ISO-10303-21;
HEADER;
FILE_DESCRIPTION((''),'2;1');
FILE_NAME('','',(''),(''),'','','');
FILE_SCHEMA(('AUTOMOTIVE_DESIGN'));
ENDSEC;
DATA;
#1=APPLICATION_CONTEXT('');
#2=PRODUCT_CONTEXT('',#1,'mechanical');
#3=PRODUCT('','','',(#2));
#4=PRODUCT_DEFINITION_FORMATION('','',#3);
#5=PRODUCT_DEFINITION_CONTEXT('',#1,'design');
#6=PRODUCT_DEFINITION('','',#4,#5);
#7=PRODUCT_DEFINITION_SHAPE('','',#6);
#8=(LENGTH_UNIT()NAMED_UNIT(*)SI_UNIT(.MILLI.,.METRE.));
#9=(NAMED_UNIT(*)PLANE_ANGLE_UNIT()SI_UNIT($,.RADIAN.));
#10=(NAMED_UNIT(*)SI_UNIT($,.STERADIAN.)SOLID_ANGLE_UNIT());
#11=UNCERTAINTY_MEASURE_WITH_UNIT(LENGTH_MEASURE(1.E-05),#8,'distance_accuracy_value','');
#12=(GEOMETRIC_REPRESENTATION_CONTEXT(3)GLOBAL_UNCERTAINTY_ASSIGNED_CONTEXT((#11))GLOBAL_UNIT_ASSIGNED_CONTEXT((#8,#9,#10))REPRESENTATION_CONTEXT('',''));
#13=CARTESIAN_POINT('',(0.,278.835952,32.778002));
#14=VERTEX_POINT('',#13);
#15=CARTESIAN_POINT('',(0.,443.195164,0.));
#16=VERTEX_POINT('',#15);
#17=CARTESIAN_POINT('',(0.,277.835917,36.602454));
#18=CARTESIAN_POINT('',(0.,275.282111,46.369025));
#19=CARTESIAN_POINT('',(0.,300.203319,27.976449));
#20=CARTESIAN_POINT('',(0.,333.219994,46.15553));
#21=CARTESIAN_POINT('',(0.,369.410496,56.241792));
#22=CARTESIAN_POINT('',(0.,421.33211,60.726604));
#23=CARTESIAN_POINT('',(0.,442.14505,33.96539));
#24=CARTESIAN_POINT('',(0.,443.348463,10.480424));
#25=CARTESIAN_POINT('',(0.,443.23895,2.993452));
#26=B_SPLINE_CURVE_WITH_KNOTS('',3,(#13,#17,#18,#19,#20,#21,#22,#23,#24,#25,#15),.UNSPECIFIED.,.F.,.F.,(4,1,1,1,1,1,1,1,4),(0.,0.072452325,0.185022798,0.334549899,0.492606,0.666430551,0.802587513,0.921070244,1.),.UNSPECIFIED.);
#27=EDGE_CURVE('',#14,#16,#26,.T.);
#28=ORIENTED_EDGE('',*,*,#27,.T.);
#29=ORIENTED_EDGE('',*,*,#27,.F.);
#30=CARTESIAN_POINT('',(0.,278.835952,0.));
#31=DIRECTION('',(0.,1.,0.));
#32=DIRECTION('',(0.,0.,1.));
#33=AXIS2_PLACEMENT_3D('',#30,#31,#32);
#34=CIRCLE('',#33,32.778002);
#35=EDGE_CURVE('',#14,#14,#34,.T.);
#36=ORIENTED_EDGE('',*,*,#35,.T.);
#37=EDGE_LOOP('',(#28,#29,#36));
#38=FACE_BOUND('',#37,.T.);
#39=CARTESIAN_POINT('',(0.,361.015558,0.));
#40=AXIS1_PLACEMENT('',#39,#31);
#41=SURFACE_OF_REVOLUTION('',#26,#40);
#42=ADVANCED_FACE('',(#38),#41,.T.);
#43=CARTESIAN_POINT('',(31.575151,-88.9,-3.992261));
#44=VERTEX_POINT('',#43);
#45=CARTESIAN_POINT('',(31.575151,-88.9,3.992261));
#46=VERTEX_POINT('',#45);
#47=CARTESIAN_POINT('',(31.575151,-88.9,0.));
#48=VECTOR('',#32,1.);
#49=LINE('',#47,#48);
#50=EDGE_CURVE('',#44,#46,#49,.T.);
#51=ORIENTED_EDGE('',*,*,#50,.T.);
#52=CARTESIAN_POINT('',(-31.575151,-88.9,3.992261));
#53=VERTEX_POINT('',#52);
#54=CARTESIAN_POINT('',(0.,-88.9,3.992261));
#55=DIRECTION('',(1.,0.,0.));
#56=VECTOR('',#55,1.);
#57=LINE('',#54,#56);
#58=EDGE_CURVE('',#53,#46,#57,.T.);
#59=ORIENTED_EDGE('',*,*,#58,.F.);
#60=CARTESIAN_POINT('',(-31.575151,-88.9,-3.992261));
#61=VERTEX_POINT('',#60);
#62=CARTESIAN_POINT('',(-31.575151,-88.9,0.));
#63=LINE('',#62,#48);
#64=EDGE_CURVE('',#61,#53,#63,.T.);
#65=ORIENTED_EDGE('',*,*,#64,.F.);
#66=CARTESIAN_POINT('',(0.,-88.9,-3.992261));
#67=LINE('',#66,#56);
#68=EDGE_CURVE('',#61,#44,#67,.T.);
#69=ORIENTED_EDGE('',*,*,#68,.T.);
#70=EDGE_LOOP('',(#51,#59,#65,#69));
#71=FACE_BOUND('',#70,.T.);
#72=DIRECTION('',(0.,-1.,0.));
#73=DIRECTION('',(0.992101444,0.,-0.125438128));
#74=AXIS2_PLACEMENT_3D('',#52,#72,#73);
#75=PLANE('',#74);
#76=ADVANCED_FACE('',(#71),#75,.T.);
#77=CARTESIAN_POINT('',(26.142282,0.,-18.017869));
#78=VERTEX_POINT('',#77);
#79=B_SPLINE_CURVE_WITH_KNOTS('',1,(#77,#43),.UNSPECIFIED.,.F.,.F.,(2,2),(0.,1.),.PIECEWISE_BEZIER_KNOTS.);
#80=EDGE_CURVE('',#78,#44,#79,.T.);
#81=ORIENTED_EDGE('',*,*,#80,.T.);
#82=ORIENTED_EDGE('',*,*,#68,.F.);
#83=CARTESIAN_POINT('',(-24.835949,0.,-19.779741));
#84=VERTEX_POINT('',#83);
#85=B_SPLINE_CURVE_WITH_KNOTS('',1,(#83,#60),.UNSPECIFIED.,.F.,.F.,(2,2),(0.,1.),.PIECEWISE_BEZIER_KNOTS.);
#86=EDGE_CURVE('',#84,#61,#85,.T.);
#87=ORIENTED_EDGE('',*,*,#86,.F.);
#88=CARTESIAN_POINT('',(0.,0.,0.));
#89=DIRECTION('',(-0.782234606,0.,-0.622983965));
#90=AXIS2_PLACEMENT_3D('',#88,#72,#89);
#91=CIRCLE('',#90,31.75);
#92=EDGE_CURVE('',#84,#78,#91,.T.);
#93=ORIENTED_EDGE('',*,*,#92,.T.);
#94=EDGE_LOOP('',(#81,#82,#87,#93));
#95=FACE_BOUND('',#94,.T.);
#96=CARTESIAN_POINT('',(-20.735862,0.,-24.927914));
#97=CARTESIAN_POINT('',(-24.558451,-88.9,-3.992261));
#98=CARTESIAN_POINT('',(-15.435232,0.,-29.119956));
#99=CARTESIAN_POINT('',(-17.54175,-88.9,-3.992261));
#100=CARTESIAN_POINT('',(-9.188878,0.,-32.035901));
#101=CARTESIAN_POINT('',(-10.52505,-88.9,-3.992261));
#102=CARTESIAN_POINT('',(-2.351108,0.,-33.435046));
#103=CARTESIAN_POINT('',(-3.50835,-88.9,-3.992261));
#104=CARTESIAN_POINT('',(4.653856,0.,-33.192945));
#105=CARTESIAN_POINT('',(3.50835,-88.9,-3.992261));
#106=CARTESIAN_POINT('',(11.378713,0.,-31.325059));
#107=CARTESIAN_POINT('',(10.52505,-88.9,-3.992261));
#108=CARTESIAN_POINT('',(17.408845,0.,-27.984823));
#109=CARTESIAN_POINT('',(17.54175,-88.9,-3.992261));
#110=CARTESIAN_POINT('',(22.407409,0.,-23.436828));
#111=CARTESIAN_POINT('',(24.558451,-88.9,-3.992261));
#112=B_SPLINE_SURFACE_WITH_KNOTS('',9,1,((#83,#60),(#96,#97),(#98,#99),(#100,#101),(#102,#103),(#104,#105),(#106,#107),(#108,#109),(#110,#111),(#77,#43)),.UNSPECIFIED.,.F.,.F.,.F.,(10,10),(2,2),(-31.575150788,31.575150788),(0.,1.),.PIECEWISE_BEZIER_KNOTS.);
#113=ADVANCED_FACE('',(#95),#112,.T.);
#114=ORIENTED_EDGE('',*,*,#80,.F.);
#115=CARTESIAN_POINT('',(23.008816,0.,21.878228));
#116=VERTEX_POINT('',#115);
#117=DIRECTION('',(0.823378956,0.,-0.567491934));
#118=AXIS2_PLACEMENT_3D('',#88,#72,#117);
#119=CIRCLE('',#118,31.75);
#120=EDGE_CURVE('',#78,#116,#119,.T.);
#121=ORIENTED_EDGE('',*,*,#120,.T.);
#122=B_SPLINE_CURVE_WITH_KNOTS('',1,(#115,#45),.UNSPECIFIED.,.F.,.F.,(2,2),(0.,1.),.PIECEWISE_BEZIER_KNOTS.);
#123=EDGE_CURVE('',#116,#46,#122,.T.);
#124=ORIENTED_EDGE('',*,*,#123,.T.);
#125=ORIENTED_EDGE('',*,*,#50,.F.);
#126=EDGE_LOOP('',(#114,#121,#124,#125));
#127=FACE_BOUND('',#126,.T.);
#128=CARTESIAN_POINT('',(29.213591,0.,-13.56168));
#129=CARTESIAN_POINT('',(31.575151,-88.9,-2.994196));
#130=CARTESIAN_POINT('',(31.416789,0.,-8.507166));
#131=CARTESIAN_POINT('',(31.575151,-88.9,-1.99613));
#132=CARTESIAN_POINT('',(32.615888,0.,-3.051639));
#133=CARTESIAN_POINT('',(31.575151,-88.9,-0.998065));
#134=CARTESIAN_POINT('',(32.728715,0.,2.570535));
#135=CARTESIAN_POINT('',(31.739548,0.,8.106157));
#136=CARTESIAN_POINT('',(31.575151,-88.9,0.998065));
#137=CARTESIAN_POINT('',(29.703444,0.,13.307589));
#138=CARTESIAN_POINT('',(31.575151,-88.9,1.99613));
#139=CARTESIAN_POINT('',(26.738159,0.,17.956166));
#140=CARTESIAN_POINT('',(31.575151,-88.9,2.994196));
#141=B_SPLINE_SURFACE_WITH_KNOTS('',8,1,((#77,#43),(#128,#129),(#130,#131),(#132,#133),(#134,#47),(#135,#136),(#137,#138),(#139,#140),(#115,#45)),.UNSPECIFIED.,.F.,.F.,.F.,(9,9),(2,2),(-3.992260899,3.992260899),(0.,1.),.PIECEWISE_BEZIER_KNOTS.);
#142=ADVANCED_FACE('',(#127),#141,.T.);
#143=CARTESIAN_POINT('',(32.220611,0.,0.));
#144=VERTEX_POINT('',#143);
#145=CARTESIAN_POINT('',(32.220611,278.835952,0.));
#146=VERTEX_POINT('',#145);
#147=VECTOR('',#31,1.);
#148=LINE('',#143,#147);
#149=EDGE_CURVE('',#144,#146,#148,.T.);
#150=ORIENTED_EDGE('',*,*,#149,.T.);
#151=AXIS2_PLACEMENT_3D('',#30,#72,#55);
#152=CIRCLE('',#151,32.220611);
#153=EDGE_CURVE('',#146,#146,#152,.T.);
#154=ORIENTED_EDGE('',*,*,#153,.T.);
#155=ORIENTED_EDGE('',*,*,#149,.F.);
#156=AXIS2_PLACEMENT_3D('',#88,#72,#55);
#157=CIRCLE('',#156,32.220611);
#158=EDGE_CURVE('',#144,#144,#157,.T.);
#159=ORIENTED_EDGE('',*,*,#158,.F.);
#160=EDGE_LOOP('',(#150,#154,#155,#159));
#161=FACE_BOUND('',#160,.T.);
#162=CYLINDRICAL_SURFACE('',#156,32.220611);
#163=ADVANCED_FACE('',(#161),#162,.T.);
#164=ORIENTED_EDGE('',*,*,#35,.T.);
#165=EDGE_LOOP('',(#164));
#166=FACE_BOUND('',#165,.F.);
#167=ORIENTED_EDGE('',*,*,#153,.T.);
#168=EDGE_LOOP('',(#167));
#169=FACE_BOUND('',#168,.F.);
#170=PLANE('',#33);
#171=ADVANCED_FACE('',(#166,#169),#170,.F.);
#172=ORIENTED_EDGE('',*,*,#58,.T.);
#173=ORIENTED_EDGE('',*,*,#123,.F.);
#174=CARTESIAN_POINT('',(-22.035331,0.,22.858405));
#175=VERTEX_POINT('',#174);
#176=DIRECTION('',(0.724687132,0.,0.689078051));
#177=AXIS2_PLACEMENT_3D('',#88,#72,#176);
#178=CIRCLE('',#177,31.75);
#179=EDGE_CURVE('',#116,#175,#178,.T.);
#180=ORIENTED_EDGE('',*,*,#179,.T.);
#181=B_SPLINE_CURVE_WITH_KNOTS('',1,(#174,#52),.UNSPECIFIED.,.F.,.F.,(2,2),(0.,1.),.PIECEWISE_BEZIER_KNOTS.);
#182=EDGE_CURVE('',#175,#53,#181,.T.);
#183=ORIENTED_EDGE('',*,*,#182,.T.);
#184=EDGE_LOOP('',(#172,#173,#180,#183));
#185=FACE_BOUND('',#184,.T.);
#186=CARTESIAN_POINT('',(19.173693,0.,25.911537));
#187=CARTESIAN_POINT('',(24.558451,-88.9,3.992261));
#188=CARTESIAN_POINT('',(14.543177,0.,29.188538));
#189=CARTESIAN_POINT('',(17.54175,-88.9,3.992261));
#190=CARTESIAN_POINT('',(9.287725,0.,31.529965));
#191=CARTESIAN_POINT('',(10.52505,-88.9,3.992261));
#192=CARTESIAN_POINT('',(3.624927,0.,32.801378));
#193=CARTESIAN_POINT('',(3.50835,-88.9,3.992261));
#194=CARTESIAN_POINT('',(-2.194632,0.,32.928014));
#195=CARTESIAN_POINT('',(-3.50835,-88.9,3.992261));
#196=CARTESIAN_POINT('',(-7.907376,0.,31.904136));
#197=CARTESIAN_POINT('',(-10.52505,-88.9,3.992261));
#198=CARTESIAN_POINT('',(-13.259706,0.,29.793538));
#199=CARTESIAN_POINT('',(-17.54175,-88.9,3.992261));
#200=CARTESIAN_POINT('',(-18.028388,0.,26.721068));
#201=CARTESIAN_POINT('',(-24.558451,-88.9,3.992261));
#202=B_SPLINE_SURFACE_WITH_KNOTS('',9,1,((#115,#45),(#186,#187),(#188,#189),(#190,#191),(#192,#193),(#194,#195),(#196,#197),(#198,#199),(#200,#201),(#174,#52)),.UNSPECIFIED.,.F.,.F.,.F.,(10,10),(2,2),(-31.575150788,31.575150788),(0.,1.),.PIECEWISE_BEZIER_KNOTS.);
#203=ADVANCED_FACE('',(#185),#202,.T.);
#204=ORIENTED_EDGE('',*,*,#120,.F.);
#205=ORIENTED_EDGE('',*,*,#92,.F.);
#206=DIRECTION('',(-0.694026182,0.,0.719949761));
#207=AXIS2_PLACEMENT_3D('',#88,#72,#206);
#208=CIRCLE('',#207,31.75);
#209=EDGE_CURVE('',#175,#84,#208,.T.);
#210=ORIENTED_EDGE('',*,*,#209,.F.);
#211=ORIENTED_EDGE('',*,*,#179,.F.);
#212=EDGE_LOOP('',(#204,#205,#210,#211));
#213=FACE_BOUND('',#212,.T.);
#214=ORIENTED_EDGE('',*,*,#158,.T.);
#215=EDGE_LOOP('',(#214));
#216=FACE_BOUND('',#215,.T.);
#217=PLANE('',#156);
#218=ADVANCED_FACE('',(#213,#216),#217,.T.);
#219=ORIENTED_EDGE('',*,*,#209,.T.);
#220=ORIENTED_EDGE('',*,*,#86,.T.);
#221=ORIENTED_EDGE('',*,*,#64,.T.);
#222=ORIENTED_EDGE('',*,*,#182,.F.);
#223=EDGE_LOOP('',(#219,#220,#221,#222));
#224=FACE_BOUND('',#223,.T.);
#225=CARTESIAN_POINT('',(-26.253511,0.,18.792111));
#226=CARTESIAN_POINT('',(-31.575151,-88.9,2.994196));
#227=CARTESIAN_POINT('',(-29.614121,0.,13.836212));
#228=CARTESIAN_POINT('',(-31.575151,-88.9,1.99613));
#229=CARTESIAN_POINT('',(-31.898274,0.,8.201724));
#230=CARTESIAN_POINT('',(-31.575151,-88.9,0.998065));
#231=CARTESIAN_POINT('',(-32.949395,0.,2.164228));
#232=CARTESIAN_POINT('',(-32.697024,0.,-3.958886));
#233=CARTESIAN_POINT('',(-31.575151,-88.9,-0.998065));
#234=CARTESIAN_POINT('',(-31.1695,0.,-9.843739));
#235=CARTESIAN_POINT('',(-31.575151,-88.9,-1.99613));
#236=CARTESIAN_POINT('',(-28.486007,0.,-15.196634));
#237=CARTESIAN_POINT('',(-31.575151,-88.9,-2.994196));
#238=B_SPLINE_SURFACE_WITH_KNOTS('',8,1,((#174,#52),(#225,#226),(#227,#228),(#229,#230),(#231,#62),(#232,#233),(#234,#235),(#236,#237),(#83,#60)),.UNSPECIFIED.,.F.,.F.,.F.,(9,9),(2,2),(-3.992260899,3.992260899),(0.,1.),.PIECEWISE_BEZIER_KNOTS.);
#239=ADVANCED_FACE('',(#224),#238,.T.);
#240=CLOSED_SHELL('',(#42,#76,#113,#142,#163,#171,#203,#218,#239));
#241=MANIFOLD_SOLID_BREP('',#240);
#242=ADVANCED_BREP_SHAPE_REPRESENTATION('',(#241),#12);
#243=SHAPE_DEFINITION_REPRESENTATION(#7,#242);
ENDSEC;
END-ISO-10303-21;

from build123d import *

# Parameters (mm, degrees)
F2_W     = 63.1503015757
F2_H     = 7.9845217988
F5_R     = 32.2206110424
F6_DEPTH = 279.4


with BuildPart() as f3:
    # F0 (on Front) → F3 section 0
    with BuildSketch(Plane.XZ):
        with BuildLine():
            ThreePointArc((23.0088164468, 21.8782281211), (0.6907278555, 31.7424856467), (-22.0353312907, 22.8584049074))
            ThreePointArc((-22.0353312907, 22.8584049074), (-31.6817312095, 2.0809631345), (-24.8359487489, -19.7797408917))
            ThreePointArc((-24.8359487489, -19.7797408917), (1.096665301, -31.7310545872), (26.1422818553, -18.0178688917))
            ThreePointArc((26.1422818553, -18.0178688917), (31.6525236796, 2.4860097971), (23.0088164468, 21.8782281211))
        make_face()
    # F2 (on offset) → F3 section 1
    with BuildSketch(Plane.XZ.offset(88.9)):
        Rectangle(F2_W, F2_H)
    loft()

    # F5 (on offset) → F6 (join)
    with BuildSketch(Plane.XZ):
        Circle(F5_R)
    extrude(amount=-F6_DEPTH)

    # F7 (on Right) → F8 (revolve)
    with BuildSketch(Plane.YZ):
        with BuildLine():
            add(Edge.make_bspline(
                [(278.835952282, 32.7780023217), (277.8359174772, 36.6024541602), (275.2821107075, 46.3690252322), (300.2033188051, 27.9764485938), (333.2199939586, 46.1555304856), (369.4104964708, 56.2417917829), (421.3321098132, 60.7266040333), (442.145049702, 33.9653899591), (443.34846302, 10.4804242711), (443.2389499023, 2.9934523278), (443.1951642036, 0)],
                knots=[0, 0, 0, 0, 0.0724523247, 0.1850227977, 0.3345498986, 0.4926059997, 0.6664305507, 0.8025875127, 0.9210702439, 1, 1, 1, 1], degree=3))
            Line((278.835952282, 32.7780023217), (278.835952282, 0))
            Line((278.835952282, 0), (443.1951642036, 0))
        make_face()
    revolve(axis=Axis((0, 361.0155582428, 0), (0, 1, 0)))


solid = f3.part
